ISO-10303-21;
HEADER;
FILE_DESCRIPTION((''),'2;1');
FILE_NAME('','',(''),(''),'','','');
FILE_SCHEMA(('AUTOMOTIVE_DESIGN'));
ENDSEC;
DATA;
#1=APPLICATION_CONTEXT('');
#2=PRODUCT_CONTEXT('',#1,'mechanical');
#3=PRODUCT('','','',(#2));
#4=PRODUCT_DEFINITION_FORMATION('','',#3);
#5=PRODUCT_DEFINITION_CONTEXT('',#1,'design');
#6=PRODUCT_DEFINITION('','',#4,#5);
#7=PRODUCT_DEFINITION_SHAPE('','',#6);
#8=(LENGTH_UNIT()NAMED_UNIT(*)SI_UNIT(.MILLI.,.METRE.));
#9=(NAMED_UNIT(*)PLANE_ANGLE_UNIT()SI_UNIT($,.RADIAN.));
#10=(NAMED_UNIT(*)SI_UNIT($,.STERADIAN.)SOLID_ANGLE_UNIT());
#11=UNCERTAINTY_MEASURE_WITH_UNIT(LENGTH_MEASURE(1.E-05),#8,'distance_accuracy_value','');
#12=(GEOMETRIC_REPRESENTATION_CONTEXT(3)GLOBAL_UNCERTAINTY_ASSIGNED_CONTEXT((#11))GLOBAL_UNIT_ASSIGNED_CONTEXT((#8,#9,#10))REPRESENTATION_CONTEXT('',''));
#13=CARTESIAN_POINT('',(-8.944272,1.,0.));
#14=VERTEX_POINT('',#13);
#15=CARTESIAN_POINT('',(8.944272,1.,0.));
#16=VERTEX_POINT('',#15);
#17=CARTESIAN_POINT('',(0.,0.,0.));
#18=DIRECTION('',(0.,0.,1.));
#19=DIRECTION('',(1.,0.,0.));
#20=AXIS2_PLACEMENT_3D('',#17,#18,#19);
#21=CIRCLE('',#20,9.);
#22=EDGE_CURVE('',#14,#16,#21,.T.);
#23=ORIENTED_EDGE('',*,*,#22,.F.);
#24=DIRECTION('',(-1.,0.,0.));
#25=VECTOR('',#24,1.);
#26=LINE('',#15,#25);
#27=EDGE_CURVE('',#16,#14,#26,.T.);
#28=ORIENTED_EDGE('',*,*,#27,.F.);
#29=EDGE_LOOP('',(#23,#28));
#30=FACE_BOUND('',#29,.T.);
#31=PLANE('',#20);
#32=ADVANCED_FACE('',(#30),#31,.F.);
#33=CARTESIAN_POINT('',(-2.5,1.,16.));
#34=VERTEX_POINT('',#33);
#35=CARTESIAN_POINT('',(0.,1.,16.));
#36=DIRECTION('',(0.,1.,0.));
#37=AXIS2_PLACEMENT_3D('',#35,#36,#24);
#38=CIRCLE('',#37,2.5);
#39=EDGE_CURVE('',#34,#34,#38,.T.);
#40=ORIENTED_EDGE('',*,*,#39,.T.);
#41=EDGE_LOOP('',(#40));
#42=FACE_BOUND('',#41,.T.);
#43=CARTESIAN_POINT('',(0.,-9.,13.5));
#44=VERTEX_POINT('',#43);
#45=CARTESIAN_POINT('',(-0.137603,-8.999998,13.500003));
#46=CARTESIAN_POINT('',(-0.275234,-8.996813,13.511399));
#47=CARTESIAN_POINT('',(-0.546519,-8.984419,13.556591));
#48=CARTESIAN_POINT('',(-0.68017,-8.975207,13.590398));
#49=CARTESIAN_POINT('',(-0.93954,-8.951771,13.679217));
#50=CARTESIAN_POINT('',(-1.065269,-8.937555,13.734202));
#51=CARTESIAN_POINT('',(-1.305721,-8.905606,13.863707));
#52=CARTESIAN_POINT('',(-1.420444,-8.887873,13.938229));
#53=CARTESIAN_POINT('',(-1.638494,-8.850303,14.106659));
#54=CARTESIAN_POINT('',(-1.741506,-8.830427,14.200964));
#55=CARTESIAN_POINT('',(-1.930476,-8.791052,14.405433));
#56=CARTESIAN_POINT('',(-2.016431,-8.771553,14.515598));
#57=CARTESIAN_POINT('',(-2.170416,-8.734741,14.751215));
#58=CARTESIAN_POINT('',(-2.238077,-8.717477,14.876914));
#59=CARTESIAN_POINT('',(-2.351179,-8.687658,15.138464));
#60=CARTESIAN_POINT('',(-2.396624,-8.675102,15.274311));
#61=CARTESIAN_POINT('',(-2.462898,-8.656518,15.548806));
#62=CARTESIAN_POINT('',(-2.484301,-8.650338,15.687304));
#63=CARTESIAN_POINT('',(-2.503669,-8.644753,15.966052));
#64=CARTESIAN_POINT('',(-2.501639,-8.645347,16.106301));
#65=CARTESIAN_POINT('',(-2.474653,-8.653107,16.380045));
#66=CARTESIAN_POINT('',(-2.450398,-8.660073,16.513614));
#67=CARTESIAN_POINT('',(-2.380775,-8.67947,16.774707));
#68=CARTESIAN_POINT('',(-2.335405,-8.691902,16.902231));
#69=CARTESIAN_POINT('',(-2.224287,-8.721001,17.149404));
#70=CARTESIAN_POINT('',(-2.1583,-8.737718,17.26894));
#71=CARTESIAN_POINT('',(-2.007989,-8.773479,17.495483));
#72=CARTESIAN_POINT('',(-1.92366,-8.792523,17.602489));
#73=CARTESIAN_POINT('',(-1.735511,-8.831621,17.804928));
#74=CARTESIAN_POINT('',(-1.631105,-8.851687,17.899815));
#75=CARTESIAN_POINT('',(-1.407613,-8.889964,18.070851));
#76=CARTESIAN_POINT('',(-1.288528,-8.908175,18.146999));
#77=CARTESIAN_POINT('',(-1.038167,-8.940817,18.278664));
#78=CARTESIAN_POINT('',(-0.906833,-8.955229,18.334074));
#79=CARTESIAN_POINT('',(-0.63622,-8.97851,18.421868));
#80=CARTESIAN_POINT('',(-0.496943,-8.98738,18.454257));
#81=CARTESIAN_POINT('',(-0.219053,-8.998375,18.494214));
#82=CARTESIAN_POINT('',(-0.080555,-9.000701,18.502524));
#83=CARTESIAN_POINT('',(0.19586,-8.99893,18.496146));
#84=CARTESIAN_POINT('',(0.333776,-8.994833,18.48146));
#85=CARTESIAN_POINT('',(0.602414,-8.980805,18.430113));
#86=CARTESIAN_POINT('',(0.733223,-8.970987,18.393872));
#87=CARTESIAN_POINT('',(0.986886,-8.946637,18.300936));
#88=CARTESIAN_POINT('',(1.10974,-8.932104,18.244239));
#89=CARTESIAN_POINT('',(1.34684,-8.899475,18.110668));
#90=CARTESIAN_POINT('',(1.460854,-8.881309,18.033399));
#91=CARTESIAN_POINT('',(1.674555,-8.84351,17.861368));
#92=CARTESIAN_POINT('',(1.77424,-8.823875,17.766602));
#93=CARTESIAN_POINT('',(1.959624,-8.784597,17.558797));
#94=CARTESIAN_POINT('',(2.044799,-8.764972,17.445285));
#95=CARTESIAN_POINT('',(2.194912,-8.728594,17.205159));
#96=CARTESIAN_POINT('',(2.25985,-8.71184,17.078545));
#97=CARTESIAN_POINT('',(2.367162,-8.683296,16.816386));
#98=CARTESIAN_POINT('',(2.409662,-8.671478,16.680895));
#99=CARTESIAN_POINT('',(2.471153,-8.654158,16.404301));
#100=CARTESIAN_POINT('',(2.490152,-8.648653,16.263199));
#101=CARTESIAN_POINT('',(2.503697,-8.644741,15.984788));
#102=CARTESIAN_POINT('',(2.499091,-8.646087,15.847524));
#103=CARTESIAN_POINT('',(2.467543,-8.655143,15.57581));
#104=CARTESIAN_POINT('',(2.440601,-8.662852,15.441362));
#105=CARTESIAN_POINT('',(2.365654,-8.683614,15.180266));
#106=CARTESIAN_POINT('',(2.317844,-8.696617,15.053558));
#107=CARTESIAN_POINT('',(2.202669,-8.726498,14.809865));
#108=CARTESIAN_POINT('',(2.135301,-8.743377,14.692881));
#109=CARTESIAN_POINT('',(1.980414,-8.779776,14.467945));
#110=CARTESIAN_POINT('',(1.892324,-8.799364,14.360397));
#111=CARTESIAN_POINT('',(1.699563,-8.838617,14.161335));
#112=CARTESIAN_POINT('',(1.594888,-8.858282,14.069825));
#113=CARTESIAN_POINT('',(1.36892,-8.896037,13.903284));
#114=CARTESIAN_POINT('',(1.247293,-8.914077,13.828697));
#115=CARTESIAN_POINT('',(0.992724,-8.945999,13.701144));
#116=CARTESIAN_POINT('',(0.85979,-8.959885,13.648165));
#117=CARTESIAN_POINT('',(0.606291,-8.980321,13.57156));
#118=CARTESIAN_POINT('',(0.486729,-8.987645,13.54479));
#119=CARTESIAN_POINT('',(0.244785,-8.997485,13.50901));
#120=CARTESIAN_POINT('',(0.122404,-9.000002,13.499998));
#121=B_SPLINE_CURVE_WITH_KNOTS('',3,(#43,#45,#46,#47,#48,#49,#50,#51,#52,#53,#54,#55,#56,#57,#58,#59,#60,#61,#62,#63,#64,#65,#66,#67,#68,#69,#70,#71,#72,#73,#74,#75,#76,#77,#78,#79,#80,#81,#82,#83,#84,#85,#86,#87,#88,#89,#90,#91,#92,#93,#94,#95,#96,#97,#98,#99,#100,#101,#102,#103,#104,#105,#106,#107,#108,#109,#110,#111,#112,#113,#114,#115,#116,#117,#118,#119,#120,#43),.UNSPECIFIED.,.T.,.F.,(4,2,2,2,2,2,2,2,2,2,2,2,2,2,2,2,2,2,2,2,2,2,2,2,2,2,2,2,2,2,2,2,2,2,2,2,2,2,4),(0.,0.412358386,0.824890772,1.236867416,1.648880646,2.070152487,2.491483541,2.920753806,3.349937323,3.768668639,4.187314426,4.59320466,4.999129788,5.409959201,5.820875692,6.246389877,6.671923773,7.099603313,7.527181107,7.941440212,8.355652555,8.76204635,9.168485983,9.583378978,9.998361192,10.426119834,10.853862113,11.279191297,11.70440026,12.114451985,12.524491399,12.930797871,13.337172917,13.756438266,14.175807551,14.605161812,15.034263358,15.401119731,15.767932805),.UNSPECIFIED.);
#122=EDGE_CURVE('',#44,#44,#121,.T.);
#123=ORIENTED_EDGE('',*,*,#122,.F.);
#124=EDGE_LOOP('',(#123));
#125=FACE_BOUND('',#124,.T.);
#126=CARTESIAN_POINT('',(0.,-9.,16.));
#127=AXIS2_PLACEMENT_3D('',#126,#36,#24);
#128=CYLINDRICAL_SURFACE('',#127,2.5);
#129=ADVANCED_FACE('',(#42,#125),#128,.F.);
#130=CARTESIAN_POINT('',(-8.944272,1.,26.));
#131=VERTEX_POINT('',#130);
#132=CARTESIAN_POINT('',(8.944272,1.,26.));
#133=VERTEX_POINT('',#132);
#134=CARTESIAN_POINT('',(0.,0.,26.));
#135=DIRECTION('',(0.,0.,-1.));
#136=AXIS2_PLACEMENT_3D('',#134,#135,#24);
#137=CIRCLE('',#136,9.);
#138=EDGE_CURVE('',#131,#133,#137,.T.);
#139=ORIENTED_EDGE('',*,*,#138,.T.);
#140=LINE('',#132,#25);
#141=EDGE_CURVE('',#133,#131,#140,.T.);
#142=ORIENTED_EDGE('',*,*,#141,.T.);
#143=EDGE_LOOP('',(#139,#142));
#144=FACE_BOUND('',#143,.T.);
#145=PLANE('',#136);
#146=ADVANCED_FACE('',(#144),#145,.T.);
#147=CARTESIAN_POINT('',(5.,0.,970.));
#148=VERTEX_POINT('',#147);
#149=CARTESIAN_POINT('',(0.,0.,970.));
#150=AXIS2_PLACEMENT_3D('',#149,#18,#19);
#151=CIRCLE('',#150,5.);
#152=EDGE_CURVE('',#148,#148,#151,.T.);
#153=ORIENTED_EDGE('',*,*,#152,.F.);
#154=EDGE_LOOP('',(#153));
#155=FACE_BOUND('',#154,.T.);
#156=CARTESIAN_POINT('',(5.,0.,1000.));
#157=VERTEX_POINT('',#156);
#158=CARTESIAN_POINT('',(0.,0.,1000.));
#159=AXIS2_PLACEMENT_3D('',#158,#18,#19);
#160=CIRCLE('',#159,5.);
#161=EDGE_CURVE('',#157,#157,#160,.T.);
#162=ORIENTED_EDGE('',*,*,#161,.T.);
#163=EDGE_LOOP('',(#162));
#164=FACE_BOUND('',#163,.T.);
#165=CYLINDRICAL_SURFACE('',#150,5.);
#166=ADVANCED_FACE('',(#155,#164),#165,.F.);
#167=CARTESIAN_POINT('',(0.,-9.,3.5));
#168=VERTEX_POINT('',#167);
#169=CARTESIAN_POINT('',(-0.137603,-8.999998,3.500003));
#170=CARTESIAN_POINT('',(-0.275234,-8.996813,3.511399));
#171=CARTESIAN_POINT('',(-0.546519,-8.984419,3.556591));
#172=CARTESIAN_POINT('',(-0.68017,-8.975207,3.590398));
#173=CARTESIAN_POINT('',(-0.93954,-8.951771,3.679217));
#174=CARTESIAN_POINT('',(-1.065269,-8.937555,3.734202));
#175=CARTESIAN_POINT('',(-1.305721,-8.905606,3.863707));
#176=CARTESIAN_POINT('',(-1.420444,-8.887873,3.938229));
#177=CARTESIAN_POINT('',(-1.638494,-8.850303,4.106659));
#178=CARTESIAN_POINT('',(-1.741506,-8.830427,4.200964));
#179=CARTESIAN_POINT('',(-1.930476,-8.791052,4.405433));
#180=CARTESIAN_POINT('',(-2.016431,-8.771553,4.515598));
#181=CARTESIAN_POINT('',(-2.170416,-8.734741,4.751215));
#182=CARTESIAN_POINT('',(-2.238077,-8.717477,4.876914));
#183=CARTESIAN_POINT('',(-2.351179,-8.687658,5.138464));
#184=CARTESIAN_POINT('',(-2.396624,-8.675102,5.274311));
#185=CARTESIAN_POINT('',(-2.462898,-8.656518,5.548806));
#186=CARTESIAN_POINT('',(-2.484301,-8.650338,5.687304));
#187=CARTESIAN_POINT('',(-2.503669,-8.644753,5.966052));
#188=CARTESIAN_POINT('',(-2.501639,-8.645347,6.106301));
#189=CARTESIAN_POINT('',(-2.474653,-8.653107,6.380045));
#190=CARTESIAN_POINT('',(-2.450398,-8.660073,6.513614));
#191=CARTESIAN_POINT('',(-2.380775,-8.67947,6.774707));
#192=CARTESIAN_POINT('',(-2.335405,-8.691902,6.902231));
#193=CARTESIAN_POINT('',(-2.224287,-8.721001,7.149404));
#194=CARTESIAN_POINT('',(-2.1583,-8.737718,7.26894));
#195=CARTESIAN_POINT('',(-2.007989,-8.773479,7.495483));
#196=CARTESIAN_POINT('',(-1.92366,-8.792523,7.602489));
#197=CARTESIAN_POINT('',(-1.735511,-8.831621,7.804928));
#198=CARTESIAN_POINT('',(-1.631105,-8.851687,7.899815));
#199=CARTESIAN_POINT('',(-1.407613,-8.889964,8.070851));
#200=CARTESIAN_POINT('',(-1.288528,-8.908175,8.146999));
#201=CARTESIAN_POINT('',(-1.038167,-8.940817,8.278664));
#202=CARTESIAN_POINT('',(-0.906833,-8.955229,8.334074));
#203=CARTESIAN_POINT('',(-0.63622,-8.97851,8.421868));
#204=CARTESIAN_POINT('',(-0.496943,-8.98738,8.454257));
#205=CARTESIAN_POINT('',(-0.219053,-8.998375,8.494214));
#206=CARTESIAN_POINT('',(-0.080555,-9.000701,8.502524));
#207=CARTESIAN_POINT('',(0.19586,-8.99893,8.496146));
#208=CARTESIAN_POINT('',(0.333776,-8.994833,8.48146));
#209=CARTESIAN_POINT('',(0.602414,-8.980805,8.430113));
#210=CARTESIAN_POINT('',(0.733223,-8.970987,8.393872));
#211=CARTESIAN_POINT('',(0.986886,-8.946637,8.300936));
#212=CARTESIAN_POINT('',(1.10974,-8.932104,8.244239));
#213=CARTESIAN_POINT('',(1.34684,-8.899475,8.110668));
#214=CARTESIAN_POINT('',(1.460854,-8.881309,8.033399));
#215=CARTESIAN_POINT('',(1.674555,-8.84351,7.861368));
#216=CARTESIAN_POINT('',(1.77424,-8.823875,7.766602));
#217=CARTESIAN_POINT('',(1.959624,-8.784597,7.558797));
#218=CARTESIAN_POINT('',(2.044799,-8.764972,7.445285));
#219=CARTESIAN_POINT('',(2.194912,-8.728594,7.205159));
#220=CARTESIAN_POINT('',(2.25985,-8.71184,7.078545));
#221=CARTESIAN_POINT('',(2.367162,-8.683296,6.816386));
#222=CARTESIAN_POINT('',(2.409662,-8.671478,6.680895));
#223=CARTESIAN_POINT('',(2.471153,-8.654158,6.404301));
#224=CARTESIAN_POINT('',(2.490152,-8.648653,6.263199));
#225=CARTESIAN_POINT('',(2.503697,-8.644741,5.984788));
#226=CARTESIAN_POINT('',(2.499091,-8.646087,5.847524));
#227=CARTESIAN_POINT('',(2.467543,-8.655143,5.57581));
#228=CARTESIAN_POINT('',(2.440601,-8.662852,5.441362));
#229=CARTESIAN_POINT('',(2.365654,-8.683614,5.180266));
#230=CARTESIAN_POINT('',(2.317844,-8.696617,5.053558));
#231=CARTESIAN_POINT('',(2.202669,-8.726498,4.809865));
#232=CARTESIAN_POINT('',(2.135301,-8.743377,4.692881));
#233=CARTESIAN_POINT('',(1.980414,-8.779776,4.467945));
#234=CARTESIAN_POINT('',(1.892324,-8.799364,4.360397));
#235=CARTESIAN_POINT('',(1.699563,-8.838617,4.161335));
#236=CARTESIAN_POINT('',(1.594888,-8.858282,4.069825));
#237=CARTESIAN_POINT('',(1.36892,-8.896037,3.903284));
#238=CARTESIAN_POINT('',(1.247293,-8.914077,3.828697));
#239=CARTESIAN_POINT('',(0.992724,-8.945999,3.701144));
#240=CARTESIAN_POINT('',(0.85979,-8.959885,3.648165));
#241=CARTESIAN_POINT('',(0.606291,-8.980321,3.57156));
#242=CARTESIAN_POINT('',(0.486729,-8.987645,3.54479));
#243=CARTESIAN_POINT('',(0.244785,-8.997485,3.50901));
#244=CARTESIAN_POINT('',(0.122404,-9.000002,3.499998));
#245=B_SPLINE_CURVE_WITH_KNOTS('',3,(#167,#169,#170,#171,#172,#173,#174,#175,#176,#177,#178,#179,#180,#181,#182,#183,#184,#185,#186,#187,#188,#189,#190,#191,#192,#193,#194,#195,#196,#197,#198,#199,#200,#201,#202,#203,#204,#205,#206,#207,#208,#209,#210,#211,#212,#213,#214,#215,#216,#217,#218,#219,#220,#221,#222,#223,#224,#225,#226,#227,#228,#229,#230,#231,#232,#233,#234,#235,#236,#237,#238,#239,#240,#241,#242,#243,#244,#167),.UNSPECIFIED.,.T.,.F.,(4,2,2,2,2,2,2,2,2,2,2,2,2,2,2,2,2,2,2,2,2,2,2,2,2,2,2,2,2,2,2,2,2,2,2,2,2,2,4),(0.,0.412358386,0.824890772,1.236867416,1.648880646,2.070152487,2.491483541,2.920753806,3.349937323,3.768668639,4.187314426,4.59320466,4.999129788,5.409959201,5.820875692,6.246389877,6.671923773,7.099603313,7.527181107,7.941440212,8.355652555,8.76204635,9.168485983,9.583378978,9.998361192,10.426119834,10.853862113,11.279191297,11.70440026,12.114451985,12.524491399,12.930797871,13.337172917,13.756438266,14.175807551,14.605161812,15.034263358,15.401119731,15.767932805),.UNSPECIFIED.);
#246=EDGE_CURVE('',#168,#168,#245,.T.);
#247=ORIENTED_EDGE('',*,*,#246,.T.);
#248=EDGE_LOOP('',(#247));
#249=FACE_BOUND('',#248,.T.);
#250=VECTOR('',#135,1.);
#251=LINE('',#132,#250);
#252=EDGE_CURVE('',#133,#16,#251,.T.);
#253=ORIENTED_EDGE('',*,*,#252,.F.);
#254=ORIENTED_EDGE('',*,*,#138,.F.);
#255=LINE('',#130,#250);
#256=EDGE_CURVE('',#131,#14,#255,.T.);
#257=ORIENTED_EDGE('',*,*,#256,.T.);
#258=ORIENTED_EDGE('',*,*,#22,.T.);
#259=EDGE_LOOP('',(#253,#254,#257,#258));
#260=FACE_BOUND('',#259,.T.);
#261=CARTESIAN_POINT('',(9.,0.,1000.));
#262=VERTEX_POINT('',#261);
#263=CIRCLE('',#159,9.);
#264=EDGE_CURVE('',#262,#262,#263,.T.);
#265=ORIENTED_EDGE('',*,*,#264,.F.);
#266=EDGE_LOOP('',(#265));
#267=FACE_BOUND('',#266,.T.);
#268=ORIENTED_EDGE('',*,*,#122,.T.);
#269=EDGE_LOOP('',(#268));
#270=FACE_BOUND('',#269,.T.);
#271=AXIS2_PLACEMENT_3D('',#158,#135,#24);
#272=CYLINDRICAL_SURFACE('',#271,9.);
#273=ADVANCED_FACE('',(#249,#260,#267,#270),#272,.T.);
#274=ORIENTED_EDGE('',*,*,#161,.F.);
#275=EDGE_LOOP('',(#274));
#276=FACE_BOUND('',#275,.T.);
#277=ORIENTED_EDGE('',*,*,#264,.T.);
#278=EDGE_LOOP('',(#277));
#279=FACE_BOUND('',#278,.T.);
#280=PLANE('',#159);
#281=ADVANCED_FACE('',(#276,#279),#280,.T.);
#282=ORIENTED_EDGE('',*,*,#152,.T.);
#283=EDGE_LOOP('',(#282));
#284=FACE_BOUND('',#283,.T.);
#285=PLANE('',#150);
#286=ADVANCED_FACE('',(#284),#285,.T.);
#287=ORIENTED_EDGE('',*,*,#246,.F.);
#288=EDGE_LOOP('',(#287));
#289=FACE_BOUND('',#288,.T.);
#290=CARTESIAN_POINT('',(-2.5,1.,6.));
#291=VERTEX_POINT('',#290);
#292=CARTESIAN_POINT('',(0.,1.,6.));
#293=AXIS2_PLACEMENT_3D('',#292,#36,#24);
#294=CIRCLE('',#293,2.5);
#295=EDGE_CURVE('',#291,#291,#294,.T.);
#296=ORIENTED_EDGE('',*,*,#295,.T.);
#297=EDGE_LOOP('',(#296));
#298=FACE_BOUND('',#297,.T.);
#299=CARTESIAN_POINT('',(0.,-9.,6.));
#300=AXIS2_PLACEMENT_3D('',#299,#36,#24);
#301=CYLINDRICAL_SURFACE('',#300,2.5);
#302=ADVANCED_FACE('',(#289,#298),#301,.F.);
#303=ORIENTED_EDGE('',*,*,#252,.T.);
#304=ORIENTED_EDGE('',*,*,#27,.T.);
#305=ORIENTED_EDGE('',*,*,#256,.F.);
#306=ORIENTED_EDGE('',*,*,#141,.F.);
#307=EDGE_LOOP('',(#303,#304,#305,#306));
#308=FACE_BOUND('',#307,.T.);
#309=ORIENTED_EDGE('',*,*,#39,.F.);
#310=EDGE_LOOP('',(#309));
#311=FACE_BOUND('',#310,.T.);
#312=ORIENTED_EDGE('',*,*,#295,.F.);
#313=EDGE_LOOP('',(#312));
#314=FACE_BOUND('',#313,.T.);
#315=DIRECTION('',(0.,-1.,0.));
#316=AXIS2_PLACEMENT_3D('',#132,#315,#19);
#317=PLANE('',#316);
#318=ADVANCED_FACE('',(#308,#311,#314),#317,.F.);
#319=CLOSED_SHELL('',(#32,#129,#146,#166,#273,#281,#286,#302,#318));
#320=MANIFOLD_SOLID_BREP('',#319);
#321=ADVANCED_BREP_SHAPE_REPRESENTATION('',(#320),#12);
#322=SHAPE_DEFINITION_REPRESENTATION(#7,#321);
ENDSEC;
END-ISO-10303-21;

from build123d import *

# Parameters (mm, degrees)
CROQUIS1_R              = 9
SALIENTE_EXTRUIR1_DEPTH = 1000
CROQUIS2_R              = 5
CORTAR_EXTRUIR1_DEPTH   = 30
CORTAR_EXTRUIR2_DEPTH   = 26
CROQUIS5_R              = 2.5
CORTAR_EXTRUIR3_DEPTH   = 10


with BuildPart() as part:
    # Croquis1 → Saliente-Extruir1 (new body)
    with BuildSketch(Plane.XY):
        Circle(CROQUIS1_R)
    extrude(amount=SALIENTE_EXTRUIR1_DEPTH)

    # Croquis2 → Cortar-Extruir1 (cut)
    with BuildSketch(Plane.XY.offset(1000)):
        Circle(CROQUIS2_R)
    extrude(amount=-CORTAR_EXTRUIR1_DEPTH, mode=Mode.SUBTRACT)

    # Croquis4 → Cortar-Extruir2 (cut)
    with BuildSketch(Plane(origin=(0, 0, 0), x_dir=(-1, 0, 0), z_dir=(0, 0, -1))):
        with BuildLine():
            Line((-8.94427191, 1), (8.94427191, 1))
            ThreePointArc((8.94427191, 1), (6, 6.708203932), (0, 9))
            ThreePointArc((0, 9), (-6, 6.708203932), (-8.94427191, 1))
        make_face()
    extrude(amount=-CORTAR_EXTRUIR2_DEPTH, mode=Mode.SUBTRACT)

    # Croquis5 → Cortar-Extruir3 (cut)
    with BuildSketch(Plane(origin=(0, 1, 0), x_dir=(1, 0, 0), z_dir=(0, 1, 0))):
        with Locations((0, -6)):
            Circle(CROQUIS5_R)
        with Locations((0, -16)):
            Circle(CROQUIS5_R)
    extrude(amount=-CORTAR_EXTRUIR3_DEPTH, mode=Mode.SUBTRACT)


solid = part.part
